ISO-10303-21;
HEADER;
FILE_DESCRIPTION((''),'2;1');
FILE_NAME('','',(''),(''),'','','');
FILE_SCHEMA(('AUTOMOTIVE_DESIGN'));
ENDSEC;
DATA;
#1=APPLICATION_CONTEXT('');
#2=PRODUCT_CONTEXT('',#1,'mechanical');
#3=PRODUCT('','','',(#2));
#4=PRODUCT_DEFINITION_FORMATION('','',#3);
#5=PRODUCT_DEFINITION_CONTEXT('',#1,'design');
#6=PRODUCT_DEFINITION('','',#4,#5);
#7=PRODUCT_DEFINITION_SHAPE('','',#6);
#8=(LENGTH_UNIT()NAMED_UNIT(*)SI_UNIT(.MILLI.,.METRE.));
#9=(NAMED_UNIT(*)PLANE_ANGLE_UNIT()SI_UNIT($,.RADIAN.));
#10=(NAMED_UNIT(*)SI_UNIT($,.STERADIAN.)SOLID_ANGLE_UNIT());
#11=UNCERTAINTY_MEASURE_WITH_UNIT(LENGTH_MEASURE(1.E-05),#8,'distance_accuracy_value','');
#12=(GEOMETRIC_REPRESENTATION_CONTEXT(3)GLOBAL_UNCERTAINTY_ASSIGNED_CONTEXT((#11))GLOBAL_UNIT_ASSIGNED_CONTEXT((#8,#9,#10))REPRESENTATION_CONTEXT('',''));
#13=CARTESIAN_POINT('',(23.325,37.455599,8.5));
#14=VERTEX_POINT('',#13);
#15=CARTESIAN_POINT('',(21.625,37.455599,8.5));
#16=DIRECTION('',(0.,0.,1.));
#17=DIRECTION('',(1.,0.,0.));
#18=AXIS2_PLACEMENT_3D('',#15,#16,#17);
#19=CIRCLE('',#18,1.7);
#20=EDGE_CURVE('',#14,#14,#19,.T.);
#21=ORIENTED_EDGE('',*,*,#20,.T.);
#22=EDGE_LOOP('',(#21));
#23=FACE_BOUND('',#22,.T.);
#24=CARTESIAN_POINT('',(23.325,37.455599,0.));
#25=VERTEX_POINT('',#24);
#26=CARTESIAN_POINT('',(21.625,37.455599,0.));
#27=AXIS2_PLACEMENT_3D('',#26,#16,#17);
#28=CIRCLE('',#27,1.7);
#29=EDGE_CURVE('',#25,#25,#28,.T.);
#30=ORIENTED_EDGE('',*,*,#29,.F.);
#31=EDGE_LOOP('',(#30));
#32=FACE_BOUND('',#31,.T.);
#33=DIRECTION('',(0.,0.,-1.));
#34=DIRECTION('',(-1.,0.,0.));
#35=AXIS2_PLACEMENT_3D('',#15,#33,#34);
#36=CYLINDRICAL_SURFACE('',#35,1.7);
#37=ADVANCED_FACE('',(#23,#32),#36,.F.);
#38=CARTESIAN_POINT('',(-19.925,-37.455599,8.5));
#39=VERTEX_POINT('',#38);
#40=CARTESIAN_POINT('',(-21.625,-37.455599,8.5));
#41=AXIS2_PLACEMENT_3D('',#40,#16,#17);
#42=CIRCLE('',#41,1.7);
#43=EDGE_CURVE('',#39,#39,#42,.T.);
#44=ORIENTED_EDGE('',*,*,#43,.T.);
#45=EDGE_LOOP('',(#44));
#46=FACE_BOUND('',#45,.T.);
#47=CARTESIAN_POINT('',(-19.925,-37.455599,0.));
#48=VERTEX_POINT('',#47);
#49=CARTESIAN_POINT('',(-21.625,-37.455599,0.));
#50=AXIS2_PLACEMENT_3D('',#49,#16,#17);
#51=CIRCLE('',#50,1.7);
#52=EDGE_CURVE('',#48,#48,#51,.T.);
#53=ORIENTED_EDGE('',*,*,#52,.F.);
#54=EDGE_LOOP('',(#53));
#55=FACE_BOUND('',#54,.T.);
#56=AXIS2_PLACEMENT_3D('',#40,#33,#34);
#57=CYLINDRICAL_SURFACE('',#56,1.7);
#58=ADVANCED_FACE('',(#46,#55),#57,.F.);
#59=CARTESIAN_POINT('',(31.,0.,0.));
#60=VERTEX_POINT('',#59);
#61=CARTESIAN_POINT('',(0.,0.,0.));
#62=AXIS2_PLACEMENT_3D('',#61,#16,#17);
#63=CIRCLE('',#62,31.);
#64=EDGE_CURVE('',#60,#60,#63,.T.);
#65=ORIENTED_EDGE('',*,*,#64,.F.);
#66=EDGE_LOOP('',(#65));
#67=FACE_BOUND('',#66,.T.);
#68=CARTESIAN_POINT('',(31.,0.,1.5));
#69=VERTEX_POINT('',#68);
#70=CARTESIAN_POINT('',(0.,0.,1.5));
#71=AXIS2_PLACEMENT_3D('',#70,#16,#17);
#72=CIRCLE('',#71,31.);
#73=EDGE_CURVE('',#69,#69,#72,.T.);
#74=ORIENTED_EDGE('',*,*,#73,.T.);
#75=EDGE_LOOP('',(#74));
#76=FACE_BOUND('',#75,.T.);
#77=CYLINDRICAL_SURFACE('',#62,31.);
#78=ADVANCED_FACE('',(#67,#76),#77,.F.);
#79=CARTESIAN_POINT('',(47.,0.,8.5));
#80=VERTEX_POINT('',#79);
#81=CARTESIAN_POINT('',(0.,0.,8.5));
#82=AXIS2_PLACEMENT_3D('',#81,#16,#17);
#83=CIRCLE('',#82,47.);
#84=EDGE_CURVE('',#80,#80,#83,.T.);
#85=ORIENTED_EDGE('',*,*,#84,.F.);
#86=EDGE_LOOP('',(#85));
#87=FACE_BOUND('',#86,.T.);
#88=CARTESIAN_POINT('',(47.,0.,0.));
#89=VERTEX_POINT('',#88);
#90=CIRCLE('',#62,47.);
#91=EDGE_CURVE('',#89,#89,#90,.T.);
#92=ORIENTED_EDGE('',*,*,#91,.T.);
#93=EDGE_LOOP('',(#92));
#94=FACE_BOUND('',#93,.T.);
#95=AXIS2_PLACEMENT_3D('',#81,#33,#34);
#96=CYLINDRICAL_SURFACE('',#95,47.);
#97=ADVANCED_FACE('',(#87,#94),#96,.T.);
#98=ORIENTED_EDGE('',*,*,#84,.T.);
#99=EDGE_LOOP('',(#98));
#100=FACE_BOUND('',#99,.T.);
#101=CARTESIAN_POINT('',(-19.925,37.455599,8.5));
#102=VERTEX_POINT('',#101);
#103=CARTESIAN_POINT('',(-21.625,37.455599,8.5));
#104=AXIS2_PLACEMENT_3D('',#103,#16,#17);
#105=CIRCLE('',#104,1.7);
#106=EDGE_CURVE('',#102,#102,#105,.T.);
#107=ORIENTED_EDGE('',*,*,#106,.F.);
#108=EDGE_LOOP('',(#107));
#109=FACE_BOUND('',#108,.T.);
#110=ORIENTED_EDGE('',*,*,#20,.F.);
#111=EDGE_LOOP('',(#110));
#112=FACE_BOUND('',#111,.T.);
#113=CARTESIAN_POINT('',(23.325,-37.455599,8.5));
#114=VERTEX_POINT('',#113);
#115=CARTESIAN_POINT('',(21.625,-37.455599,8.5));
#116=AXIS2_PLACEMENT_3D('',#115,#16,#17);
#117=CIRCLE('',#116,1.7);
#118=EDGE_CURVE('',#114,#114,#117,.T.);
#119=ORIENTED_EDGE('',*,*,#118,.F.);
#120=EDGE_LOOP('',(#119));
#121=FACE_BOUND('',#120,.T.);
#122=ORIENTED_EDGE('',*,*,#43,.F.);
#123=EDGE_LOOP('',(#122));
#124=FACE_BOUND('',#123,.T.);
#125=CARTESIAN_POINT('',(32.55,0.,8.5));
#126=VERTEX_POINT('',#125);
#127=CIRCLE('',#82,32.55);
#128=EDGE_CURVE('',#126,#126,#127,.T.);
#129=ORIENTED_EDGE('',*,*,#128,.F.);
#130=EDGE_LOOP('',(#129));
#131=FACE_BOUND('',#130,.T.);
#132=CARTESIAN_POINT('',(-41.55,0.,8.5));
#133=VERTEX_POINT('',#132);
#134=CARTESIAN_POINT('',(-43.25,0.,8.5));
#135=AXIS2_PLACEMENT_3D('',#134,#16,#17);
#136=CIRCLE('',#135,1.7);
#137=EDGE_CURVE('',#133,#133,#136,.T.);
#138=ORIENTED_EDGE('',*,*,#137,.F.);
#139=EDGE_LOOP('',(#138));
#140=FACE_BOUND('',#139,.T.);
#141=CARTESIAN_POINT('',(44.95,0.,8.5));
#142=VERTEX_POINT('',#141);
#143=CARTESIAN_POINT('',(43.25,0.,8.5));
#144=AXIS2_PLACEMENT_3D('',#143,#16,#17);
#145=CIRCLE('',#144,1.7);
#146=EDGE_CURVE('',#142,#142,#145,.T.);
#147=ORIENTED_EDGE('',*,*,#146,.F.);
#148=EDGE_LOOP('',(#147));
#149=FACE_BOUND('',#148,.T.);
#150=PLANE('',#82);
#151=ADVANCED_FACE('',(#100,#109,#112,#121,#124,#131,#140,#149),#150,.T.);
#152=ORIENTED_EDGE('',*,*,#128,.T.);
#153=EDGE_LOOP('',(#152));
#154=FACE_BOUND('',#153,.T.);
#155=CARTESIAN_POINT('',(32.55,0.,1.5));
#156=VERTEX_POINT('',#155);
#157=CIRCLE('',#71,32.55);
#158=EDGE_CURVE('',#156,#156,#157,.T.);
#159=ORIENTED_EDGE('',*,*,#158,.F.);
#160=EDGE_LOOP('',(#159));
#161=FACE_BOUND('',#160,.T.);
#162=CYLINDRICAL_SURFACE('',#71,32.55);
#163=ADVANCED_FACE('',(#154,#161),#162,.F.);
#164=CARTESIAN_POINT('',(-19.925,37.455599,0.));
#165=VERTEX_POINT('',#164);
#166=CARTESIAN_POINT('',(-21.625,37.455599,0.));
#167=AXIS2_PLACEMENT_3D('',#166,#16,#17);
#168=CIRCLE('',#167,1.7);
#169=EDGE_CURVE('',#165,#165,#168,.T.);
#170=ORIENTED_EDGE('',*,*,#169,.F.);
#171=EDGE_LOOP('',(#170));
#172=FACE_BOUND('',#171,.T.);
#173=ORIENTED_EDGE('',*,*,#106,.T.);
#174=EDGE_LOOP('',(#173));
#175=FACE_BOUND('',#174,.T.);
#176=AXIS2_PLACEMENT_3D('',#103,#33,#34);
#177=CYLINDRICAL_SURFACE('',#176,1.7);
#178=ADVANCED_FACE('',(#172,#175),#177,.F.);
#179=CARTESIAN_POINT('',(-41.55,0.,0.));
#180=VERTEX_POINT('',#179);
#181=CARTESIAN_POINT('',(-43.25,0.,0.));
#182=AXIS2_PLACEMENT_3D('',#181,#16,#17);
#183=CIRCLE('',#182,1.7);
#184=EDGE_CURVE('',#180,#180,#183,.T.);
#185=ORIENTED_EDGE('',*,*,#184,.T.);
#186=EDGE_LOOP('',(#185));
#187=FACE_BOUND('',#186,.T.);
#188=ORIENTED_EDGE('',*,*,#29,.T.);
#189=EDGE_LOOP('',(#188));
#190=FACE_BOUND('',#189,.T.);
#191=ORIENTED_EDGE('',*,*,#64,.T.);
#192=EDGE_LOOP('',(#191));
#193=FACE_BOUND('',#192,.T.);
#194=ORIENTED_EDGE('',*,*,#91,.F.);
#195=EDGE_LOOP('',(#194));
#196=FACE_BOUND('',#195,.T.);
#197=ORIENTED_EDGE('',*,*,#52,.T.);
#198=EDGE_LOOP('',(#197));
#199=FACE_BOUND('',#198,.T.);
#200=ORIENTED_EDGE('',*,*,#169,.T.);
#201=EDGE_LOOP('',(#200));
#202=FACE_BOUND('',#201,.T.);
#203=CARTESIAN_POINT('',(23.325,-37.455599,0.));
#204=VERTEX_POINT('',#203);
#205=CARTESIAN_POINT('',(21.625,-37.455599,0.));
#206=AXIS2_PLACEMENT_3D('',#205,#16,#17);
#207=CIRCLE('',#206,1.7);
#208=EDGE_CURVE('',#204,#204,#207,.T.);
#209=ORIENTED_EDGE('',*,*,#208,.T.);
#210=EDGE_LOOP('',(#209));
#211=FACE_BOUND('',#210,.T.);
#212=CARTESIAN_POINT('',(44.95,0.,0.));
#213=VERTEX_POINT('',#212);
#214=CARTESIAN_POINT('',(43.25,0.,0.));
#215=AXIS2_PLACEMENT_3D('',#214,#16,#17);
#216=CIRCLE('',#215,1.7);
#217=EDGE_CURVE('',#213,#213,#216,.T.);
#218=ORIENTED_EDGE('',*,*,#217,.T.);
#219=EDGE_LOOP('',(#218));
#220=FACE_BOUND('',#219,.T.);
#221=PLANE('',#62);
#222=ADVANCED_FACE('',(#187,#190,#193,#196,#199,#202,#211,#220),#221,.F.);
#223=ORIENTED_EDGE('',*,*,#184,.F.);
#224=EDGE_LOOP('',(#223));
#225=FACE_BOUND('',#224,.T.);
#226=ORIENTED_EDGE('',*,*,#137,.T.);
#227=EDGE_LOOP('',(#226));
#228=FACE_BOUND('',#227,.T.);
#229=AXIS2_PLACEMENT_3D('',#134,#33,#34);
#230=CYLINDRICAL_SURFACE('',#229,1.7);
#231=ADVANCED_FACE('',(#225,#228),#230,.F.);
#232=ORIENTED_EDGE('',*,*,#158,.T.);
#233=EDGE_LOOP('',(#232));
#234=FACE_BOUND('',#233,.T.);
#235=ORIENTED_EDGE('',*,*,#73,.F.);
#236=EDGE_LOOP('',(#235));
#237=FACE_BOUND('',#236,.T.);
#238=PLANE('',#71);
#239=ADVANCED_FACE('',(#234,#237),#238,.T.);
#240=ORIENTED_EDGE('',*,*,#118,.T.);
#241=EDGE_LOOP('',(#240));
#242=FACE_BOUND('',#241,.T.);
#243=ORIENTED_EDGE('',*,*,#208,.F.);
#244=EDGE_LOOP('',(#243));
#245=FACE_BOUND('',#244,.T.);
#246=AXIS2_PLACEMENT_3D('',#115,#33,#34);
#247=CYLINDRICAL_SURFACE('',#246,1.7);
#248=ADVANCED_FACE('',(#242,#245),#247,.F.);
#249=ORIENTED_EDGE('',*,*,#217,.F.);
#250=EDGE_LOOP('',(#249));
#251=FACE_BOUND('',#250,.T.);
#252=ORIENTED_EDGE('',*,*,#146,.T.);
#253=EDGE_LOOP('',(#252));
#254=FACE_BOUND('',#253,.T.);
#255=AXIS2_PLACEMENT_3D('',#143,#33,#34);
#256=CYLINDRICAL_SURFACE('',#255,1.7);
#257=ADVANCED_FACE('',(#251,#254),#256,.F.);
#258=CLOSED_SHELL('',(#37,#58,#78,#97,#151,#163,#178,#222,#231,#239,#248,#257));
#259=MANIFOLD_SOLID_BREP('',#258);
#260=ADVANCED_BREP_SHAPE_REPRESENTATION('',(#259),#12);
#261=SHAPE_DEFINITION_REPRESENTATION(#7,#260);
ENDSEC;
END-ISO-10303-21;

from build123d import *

# Parameters (mm, degrees)
SKETCH1_R           = 47
BOSS_EXTRUDE2_DEPTH = 8.5
SKETCH2_R           = 32.55
CUT_EXTRUDE1_DEPTH  = 7
SKETCH3_R           = 31
BRAIN_DEPTH         = 67.835619246
SKETCH4_R           = 1.7
SCREW_HOLES_DEPTH   = 68.009327709


with BuildPart() as part:
    # Sketch1 → Boss-Extrude2 (new body)
    with BuildSketch(Plane.XY):
        Circle(SKETCH1_R)
    extrude(amount=BOSS_EXTRUDE2_DEPTH)

    # Sketch2 → Cut-Extrude1 (cut)
    with BuildSketch(Plane.XY.offset(8.5)):
        Circle(SKETCH2_R)
    extrude(amount=-CUT_EXTRUDE1_DEPTH, mode=Mode.SUBTRACT)

    # Sketch3 → Brain (cut, through all)
    with BuildSketch(Plane.XY.offset(1.5)):
        Circle(SKETCH3_R)
    extrude(amount=-BRAIN_DEPTH, mode=Mode.SUBTRACT)

    # Sketch4 → Screw Holes (cut, through all)
    with BuildSketch(Plane.XY):
        with Locations((-43.25, 0)):
            Circle(SKETCH4_R)
        with Locations((-21.625, 37.455598714)):
            Circle(SKETCH4_R)
        with Locations((21.625, 37.455598714)):
            Circle(SKETCH4_R)
        with Locations((43.25, 0)):
            Circle(SKETCH4_R)
        with Locations((21.625, -37.455598714)):
            Circle(SKETCH4_R)
        with Locations((-21.625, -37.455598714)):
            Circle(SKETCH4_R)
    extrude(amount=SCREW_HOLES_DEPTH, mode=Mode.SUBTRACT)


solid = part.part
